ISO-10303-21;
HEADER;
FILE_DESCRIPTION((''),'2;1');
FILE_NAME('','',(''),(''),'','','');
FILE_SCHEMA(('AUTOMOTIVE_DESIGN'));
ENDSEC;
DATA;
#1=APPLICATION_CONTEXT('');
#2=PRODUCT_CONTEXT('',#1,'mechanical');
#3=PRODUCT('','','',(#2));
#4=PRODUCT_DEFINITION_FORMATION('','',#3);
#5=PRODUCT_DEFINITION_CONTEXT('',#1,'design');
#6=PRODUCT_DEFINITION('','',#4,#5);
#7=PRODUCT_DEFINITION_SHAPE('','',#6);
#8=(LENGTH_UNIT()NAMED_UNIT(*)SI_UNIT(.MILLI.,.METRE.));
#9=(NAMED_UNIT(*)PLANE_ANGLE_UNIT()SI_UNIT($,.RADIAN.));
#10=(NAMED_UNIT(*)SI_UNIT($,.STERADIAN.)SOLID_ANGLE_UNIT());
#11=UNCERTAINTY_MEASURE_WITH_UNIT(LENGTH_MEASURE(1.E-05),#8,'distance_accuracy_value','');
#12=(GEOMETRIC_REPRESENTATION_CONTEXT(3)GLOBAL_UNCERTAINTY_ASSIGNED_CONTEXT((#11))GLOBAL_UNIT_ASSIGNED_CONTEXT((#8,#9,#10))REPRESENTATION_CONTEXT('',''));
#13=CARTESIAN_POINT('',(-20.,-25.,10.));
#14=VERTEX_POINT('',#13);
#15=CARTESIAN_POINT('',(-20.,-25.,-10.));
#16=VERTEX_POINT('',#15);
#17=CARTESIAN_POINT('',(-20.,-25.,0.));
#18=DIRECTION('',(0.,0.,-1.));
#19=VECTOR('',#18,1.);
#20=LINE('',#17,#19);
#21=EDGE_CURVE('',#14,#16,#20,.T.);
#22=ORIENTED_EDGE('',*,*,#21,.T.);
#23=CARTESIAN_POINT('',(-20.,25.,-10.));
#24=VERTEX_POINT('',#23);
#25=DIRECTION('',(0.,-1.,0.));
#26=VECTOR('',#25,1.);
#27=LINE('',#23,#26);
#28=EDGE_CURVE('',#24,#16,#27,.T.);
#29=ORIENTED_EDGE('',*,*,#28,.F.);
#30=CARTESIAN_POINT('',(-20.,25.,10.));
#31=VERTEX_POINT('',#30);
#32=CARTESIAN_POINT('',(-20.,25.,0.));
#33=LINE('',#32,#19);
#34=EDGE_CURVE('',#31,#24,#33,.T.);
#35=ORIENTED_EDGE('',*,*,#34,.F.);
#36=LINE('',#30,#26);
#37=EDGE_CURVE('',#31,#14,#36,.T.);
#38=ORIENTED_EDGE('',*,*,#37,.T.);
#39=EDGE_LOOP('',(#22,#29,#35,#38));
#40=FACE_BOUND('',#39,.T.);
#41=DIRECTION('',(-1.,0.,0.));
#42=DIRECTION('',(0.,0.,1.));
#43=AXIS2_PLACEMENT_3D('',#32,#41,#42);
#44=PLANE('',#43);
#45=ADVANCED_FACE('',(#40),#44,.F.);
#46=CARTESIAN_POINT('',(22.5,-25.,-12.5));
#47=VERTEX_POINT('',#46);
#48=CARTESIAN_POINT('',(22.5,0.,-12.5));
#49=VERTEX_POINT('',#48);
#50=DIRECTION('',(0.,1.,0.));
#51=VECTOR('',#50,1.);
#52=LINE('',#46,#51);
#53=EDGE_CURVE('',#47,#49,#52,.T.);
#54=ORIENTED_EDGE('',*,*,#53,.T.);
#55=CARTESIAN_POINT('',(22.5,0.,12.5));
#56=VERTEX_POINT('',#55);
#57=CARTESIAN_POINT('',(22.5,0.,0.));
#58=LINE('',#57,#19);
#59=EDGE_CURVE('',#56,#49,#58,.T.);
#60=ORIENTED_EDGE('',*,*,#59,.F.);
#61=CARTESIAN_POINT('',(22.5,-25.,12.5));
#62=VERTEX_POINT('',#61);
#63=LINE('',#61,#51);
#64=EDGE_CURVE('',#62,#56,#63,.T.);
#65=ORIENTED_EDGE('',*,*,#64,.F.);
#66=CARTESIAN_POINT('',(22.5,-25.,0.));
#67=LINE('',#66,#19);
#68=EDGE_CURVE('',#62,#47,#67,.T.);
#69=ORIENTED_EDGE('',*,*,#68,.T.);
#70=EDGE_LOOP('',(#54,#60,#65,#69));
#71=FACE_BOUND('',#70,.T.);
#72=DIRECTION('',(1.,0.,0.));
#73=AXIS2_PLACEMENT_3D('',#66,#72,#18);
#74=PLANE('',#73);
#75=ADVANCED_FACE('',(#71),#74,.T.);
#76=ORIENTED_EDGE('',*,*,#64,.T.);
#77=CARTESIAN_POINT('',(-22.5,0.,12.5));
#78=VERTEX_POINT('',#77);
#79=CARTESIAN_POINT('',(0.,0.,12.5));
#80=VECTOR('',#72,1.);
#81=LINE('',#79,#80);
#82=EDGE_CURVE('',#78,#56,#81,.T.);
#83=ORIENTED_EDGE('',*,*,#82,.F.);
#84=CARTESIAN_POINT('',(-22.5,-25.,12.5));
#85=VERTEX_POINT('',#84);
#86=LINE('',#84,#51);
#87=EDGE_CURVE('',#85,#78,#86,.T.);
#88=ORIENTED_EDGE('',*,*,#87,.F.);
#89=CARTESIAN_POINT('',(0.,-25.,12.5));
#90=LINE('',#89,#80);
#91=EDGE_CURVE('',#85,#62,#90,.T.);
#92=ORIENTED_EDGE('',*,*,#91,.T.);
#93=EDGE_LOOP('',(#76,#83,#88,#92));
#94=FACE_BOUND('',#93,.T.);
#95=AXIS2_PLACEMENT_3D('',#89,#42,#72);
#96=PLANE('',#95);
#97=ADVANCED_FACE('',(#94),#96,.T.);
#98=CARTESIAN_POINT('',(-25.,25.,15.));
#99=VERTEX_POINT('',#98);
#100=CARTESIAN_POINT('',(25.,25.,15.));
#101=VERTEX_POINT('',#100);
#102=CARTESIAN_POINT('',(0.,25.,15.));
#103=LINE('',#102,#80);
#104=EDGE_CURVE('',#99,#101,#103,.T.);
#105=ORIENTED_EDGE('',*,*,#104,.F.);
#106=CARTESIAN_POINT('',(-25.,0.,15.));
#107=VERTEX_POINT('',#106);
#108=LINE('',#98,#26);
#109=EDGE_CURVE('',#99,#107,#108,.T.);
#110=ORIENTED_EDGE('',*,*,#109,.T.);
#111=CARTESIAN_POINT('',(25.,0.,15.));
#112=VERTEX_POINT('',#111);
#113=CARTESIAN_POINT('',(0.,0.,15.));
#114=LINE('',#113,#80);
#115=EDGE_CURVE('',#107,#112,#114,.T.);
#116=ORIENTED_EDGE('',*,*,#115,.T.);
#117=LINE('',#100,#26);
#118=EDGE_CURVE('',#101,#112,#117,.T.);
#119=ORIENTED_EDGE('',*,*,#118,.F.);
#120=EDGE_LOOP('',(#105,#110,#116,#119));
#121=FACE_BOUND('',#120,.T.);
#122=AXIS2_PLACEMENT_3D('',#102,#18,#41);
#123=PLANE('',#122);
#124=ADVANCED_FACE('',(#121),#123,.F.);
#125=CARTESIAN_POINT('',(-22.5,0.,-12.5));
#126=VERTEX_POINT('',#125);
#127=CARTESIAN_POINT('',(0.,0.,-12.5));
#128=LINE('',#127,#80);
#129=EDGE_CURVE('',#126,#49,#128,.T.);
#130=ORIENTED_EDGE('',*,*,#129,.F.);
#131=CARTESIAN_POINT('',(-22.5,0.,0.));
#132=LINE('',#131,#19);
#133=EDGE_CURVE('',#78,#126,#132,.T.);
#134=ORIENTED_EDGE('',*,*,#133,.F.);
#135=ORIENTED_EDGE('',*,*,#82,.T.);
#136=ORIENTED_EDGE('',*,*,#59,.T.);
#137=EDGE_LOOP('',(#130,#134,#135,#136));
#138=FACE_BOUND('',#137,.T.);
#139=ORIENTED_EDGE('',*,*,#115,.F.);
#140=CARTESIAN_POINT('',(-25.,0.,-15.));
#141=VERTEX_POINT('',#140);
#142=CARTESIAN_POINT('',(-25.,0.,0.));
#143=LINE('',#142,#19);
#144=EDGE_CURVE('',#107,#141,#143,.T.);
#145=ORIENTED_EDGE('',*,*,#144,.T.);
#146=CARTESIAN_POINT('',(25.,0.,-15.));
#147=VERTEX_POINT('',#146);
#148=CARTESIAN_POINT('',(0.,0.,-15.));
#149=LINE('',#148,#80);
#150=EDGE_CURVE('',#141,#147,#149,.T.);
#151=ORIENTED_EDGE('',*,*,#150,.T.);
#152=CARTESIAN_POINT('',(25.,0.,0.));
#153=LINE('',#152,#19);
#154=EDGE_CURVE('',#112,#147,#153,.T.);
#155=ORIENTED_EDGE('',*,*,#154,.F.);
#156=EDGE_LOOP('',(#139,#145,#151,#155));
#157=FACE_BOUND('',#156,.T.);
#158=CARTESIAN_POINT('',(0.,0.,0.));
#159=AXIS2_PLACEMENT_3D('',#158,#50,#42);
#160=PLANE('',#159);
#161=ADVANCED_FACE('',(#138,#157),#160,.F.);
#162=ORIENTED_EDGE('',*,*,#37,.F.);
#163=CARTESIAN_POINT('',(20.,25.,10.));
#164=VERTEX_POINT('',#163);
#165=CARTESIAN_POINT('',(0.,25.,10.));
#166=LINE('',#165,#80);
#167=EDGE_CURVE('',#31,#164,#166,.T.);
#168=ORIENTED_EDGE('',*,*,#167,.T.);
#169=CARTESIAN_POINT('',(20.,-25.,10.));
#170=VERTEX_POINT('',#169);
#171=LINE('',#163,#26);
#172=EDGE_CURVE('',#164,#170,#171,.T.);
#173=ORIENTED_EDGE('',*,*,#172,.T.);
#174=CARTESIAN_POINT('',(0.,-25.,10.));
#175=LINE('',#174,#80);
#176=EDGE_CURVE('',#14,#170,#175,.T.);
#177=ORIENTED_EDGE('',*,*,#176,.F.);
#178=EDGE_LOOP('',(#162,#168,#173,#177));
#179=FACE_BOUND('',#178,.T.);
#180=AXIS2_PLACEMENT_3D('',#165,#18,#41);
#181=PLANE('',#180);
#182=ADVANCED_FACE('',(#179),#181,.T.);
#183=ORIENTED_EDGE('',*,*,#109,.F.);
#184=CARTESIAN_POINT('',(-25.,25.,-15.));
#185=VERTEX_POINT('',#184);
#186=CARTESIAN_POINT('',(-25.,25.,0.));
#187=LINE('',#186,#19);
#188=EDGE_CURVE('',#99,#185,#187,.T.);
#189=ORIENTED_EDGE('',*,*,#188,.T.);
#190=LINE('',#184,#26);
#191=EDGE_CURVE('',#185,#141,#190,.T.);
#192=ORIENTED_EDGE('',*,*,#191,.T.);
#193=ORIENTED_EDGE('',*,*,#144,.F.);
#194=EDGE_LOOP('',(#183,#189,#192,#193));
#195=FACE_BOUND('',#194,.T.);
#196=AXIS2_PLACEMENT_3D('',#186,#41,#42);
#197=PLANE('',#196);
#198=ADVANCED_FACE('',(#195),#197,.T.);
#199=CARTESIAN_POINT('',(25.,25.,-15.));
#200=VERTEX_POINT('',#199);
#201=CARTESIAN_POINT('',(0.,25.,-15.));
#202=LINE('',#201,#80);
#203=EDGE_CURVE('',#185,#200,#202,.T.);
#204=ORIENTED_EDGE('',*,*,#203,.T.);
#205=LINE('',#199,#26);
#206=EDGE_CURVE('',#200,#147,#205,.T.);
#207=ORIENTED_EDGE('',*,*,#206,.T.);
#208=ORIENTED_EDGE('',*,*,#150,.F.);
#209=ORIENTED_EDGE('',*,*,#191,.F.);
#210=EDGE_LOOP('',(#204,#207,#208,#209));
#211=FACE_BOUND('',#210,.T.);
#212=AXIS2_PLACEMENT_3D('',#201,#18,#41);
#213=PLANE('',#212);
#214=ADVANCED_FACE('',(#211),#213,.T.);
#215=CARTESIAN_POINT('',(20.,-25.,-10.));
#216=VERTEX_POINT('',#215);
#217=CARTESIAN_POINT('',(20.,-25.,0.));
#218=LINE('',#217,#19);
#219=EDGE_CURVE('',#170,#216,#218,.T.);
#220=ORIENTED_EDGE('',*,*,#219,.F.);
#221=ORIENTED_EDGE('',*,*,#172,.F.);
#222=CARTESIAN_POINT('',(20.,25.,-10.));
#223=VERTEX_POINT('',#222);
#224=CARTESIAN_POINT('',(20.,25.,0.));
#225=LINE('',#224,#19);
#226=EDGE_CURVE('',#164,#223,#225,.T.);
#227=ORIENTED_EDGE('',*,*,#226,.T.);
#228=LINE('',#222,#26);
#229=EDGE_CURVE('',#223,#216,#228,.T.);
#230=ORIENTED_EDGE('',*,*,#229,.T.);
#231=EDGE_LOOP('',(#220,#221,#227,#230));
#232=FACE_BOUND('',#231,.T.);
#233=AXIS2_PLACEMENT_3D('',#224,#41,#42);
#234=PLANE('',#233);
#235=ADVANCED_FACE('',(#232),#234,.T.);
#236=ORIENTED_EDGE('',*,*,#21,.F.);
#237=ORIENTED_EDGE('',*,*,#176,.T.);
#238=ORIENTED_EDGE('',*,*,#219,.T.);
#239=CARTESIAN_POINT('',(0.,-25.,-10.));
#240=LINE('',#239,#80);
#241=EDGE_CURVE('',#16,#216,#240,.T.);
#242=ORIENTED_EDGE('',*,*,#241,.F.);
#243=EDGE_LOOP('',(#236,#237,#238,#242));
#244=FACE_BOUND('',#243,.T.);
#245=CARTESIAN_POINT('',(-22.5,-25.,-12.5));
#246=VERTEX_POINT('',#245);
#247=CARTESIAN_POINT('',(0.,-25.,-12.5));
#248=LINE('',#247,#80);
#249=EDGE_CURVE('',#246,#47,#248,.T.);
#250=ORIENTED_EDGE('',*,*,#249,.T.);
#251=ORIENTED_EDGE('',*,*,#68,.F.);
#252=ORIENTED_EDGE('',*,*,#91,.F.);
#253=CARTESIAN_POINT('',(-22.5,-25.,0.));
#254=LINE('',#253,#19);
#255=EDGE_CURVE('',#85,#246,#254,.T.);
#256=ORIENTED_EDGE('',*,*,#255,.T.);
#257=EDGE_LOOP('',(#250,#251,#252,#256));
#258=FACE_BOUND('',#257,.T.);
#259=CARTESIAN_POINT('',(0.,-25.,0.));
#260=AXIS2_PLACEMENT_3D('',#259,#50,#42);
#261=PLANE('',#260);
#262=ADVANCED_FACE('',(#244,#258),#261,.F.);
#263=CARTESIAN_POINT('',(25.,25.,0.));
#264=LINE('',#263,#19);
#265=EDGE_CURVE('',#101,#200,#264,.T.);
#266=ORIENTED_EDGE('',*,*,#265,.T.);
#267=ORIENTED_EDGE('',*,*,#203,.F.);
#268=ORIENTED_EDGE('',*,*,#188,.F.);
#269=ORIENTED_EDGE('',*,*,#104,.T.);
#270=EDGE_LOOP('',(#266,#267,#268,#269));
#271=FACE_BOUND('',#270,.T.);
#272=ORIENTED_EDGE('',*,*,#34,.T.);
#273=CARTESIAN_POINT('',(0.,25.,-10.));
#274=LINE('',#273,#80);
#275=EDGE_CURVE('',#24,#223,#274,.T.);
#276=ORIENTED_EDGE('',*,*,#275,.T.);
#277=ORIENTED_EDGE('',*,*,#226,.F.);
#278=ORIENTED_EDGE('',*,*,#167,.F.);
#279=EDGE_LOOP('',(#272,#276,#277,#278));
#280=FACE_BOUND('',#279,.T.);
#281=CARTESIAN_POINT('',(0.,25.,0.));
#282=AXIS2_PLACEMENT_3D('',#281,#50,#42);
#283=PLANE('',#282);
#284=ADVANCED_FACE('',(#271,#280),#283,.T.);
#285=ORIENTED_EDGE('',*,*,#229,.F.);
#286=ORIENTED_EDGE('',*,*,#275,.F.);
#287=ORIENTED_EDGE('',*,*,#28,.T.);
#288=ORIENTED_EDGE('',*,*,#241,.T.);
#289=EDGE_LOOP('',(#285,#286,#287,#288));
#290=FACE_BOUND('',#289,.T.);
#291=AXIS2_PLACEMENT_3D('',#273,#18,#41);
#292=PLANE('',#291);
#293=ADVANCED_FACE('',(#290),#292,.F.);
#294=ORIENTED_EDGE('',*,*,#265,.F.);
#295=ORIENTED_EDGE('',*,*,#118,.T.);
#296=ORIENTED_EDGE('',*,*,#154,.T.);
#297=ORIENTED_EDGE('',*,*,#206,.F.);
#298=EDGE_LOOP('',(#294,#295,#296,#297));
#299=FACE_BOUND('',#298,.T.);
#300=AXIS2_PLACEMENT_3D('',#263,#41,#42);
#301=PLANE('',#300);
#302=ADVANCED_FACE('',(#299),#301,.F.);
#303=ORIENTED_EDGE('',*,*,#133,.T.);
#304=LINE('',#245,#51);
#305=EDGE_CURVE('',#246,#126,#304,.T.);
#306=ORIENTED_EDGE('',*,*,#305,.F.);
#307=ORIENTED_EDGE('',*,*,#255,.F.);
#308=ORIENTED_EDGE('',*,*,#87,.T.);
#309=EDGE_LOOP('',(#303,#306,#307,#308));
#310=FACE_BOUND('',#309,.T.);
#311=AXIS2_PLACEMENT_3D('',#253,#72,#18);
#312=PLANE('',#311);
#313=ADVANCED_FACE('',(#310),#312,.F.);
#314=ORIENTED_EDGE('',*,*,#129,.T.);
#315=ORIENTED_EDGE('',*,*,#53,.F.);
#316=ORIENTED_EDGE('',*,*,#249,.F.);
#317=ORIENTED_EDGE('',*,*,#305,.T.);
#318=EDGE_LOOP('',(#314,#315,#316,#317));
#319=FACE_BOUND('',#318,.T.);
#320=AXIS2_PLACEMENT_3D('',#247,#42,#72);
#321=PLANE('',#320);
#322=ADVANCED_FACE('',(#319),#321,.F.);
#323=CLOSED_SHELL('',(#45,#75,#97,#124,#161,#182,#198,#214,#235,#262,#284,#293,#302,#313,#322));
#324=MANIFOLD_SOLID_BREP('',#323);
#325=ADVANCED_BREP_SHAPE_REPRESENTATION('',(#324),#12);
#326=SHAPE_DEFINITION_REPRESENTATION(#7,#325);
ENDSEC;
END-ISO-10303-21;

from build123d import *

# Parameters (mm, degrees)
SKETCH1_W           = 50
SKETCH1_H           = 30
SKETCH1_W_2         = 40
SKETCH1_H_2         = 20
BOSS_EXTRUDE1_DEPTH = 25
SKETCH1_3_W         = 45
SKETCH1_3_H         = 25
SKETCH1_3_W_2       = 40
SKETCH1_3_H_2       = 20
BOSS_EXTRUDE2_DEPTH = 25


with BuildPart() as part:
    # Sketch1 → Boss-Extrude1 (new body)
    with BuildSketch(Plane(origin=(0, 0, 0), x_dir=(1, 0, 0), z_dir=(0, 1, 0))):
        Rectangle(SKETCH1_W, SKETCH1_H)
        Rectangle(SKETCH1_W_2, SKETCH1_H_2, mode=Mode.SUBTRACT)
    extrude(amount=BOSS_EXTRUDE1_DEPTH)

    # Sketch1<3> → Boss-Extrude2 (add)
    with BuildSketch(Plane(origin=(0, 0, 0), x_dir=(1, 0, 0), z_dir=(0, 1, 0))):
        Rectangle(SKETCH1_3_W, SKETCH1_3_H)
        Rectangle(SKETCH1_3_W_2, SKETCH1_3_H_2, mode=Mode.SUBTRACT)
    extrude(amount=-BOSS_EXTRUDE2_DEPTH)


solid = part.part
